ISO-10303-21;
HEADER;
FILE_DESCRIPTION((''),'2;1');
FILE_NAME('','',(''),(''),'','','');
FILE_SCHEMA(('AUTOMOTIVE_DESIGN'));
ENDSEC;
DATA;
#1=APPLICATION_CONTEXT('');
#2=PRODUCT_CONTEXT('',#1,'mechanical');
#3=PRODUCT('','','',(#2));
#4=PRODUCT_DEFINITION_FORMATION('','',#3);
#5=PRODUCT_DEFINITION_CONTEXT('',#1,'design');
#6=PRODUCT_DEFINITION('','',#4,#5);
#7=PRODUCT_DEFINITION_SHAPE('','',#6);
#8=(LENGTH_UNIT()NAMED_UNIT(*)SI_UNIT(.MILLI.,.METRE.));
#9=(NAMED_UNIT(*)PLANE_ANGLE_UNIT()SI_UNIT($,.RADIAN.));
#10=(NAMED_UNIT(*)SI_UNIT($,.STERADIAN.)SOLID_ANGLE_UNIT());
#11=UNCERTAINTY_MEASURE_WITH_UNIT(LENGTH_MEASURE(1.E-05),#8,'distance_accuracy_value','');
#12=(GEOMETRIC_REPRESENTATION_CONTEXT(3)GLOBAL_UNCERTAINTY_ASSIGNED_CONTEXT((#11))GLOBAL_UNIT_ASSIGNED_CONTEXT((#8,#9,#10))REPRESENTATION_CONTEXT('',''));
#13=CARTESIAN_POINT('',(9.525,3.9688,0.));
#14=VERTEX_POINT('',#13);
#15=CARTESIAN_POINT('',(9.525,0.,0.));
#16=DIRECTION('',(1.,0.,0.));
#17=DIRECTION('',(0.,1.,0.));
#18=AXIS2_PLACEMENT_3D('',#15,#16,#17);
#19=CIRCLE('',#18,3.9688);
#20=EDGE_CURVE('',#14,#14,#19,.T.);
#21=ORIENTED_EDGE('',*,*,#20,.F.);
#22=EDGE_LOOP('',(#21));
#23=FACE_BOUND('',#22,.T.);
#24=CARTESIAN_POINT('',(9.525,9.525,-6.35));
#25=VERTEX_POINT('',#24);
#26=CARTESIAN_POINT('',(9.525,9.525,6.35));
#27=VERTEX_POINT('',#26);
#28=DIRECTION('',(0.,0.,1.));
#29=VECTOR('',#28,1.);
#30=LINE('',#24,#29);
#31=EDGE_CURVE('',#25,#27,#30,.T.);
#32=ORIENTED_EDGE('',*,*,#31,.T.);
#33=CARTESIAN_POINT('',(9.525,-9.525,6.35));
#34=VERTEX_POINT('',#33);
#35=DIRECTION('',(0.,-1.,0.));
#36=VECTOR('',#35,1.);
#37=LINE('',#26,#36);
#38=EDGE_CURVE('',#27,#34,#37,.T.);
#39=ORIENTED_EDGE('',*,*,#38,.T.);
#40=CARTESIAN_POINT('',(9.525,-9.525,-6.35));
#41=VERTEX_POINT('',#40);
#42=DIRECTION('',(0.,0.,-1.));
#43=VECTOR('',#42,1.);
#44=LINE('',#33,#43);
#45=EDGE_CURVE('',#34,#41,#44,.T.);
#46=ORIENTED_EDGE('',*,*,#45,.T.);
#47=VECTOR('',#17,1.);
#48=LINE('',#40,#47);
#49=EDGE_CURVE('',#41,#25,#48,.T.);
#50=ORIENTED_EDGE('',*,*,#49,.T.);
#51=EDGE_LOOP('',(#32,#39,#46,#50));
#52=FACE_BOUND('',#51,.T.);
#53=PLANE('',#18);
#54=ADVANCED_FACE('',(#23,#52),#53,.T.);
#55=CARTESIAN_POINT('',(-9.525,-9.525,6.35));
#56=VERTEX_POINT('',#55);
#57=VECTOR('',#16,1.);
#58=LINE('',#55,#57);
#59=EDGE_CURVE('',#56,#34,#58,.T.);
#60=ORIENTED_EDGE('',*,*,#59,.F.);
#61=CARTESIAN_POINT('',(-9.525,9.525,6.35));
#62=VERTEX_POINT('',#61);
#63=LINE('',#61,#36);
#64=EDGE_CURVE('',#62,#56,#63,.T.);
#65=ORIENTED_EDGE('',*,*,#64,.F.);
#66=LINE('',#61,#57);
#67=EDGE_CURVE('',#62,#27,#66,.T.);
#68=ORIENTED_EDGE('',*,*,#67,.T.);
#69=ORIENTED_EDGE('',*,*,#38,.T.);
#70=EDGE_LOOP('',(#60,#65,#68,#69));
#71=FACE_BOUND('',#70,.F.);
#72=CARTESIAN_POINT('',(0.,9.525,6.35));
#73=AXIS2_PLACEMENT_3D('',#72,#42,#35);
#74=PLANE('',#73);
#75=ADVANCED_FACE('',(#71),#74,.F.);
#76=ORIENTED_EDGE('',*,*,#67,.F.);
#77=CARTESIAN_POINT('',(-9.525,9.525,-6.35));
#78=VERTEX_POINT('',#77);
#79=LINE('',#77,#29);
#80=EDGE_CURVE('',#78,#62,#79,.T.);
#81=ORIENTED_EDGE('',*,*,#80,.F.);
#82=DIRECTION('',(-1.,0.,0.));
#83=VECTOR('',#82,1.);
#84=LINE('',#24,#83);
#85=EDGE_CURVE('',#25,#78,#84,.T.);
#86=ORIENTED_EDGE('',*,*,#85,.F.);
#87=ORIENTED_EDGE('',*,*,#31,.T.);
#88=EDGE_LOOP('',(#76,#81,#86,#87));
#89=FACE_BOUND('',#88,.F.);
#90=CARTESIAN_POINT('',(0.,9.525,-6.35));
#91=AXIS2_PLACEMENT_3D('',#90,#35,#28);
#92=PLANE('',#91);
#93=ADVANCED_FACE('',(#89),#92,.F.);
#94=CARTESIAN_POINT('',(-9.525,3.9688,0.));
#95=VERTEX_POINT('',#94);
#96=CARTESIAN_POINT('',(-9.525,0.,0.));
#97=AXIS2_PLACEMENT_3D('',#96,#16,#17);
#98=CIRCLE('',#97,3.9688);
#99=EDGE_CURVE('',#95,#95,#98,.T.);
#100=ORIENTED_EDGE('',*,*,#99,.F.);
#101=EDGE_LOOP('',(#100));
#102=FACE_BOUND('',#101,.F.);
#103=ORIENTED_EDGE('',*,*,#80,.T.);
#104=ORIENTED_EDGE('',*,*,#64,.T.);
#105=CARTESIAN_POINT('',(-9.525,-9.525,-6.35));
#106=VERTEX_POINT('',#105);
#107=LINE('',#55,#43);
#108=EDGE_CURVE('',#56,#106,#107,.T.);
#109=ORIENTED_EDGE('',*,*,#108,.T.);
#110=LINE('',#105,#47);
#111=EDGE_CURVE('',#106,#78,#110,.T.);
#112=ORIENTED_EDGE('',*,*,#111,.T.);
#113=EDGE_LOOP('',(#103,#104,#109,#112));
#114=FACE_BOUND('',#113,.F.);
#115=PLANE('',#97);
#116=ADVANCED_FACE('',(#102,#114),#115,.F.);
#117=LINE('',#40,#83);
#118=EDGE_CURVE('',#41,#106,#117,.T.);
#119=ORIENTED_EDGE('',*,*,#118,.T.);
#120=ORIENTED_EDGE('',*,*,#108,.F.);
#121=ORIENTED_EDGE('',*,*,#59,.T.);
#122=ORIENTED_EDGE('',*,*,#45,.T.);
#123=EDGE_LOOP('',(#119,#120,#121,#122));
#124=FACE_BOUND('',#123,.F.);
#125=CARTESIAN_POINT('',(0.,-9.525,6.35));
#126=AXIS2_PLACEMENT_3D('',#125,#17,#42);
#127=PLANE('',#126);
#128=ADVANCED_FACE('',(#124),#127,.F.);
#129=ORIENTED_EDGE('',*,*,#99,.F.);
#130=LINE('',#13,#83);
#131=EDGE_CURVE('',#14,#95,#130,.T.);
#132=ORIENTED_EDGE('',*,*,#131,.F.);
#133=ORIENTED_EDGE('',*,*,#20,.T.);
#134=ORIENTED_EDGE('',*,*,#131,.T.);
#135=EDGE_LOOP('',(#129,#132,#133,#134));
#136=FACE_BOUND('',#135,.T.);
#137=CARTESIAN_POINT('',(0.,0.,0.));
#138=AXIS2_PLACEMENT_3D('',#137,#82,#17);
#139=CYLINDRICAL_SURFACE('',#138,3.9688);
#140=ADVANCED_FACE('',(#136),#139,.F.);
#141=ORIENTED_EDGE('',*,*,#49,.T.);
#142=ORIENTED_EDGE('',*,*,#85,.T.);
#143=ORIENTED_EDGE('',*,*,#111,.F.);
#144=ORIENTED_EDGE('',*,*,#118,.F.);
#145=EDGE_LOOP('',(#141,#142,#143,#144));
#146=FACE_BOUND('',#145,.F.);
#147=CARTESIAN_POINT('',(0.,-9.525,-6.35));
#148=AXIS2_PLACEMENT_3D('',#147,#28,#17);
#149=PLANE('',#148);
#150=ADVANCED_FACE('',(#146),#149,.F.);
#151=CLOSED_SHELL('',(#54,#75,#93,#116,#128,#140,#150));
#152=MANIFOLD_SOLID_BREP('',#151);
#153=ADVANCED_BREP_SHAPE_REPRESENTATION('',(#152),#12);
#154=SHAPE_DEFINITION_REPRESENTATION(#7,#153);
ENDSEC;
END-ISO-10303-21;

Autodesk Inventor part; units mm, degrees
ref_plane "YZ Plane" through (0, 0, 0) normal (1, 0, 0) x (0, 1, 0)
ref_plane "XZ Plane" through (0, 0, 0) normal (0, 1, 0) x (-1, 0, 0)
ref_plane "XY Plane" through (0, 0, 0) normal (0, 0, 1) x (1, 0, 0)
sketch "Sketch1" plane through (0, 0, 0) normal (1, 0, 0) x (0, 1, 0)
  line L0 (9.525, 6.35) -> (-9.525, 6.35)
  line L1 (-9.525, 6.35) -> (-9.525, -6.35)
  line L2 (-9.525, -6.35) -> (9.525, -6.35)
  line L3 (9.525, -6.35) -> (9.525, 6.35)
  line L4 (9.525, 6.35) -> (-9.525, -6.35) construction
  line L5 (-9.525, 6.35) -> (9.525, -6.35) construction
  circle A0 centre (0, 0) radius 3.9688
  dimension "d0" = 7.9375
  dimension "d1" = 19.05
  dimension "d2" = 12.7
extrude "Extrusion1" add sketch "Sketch1" along normal mid plane 19.05
properties part number "compressionSpacer" material "Aluminum 6061"
